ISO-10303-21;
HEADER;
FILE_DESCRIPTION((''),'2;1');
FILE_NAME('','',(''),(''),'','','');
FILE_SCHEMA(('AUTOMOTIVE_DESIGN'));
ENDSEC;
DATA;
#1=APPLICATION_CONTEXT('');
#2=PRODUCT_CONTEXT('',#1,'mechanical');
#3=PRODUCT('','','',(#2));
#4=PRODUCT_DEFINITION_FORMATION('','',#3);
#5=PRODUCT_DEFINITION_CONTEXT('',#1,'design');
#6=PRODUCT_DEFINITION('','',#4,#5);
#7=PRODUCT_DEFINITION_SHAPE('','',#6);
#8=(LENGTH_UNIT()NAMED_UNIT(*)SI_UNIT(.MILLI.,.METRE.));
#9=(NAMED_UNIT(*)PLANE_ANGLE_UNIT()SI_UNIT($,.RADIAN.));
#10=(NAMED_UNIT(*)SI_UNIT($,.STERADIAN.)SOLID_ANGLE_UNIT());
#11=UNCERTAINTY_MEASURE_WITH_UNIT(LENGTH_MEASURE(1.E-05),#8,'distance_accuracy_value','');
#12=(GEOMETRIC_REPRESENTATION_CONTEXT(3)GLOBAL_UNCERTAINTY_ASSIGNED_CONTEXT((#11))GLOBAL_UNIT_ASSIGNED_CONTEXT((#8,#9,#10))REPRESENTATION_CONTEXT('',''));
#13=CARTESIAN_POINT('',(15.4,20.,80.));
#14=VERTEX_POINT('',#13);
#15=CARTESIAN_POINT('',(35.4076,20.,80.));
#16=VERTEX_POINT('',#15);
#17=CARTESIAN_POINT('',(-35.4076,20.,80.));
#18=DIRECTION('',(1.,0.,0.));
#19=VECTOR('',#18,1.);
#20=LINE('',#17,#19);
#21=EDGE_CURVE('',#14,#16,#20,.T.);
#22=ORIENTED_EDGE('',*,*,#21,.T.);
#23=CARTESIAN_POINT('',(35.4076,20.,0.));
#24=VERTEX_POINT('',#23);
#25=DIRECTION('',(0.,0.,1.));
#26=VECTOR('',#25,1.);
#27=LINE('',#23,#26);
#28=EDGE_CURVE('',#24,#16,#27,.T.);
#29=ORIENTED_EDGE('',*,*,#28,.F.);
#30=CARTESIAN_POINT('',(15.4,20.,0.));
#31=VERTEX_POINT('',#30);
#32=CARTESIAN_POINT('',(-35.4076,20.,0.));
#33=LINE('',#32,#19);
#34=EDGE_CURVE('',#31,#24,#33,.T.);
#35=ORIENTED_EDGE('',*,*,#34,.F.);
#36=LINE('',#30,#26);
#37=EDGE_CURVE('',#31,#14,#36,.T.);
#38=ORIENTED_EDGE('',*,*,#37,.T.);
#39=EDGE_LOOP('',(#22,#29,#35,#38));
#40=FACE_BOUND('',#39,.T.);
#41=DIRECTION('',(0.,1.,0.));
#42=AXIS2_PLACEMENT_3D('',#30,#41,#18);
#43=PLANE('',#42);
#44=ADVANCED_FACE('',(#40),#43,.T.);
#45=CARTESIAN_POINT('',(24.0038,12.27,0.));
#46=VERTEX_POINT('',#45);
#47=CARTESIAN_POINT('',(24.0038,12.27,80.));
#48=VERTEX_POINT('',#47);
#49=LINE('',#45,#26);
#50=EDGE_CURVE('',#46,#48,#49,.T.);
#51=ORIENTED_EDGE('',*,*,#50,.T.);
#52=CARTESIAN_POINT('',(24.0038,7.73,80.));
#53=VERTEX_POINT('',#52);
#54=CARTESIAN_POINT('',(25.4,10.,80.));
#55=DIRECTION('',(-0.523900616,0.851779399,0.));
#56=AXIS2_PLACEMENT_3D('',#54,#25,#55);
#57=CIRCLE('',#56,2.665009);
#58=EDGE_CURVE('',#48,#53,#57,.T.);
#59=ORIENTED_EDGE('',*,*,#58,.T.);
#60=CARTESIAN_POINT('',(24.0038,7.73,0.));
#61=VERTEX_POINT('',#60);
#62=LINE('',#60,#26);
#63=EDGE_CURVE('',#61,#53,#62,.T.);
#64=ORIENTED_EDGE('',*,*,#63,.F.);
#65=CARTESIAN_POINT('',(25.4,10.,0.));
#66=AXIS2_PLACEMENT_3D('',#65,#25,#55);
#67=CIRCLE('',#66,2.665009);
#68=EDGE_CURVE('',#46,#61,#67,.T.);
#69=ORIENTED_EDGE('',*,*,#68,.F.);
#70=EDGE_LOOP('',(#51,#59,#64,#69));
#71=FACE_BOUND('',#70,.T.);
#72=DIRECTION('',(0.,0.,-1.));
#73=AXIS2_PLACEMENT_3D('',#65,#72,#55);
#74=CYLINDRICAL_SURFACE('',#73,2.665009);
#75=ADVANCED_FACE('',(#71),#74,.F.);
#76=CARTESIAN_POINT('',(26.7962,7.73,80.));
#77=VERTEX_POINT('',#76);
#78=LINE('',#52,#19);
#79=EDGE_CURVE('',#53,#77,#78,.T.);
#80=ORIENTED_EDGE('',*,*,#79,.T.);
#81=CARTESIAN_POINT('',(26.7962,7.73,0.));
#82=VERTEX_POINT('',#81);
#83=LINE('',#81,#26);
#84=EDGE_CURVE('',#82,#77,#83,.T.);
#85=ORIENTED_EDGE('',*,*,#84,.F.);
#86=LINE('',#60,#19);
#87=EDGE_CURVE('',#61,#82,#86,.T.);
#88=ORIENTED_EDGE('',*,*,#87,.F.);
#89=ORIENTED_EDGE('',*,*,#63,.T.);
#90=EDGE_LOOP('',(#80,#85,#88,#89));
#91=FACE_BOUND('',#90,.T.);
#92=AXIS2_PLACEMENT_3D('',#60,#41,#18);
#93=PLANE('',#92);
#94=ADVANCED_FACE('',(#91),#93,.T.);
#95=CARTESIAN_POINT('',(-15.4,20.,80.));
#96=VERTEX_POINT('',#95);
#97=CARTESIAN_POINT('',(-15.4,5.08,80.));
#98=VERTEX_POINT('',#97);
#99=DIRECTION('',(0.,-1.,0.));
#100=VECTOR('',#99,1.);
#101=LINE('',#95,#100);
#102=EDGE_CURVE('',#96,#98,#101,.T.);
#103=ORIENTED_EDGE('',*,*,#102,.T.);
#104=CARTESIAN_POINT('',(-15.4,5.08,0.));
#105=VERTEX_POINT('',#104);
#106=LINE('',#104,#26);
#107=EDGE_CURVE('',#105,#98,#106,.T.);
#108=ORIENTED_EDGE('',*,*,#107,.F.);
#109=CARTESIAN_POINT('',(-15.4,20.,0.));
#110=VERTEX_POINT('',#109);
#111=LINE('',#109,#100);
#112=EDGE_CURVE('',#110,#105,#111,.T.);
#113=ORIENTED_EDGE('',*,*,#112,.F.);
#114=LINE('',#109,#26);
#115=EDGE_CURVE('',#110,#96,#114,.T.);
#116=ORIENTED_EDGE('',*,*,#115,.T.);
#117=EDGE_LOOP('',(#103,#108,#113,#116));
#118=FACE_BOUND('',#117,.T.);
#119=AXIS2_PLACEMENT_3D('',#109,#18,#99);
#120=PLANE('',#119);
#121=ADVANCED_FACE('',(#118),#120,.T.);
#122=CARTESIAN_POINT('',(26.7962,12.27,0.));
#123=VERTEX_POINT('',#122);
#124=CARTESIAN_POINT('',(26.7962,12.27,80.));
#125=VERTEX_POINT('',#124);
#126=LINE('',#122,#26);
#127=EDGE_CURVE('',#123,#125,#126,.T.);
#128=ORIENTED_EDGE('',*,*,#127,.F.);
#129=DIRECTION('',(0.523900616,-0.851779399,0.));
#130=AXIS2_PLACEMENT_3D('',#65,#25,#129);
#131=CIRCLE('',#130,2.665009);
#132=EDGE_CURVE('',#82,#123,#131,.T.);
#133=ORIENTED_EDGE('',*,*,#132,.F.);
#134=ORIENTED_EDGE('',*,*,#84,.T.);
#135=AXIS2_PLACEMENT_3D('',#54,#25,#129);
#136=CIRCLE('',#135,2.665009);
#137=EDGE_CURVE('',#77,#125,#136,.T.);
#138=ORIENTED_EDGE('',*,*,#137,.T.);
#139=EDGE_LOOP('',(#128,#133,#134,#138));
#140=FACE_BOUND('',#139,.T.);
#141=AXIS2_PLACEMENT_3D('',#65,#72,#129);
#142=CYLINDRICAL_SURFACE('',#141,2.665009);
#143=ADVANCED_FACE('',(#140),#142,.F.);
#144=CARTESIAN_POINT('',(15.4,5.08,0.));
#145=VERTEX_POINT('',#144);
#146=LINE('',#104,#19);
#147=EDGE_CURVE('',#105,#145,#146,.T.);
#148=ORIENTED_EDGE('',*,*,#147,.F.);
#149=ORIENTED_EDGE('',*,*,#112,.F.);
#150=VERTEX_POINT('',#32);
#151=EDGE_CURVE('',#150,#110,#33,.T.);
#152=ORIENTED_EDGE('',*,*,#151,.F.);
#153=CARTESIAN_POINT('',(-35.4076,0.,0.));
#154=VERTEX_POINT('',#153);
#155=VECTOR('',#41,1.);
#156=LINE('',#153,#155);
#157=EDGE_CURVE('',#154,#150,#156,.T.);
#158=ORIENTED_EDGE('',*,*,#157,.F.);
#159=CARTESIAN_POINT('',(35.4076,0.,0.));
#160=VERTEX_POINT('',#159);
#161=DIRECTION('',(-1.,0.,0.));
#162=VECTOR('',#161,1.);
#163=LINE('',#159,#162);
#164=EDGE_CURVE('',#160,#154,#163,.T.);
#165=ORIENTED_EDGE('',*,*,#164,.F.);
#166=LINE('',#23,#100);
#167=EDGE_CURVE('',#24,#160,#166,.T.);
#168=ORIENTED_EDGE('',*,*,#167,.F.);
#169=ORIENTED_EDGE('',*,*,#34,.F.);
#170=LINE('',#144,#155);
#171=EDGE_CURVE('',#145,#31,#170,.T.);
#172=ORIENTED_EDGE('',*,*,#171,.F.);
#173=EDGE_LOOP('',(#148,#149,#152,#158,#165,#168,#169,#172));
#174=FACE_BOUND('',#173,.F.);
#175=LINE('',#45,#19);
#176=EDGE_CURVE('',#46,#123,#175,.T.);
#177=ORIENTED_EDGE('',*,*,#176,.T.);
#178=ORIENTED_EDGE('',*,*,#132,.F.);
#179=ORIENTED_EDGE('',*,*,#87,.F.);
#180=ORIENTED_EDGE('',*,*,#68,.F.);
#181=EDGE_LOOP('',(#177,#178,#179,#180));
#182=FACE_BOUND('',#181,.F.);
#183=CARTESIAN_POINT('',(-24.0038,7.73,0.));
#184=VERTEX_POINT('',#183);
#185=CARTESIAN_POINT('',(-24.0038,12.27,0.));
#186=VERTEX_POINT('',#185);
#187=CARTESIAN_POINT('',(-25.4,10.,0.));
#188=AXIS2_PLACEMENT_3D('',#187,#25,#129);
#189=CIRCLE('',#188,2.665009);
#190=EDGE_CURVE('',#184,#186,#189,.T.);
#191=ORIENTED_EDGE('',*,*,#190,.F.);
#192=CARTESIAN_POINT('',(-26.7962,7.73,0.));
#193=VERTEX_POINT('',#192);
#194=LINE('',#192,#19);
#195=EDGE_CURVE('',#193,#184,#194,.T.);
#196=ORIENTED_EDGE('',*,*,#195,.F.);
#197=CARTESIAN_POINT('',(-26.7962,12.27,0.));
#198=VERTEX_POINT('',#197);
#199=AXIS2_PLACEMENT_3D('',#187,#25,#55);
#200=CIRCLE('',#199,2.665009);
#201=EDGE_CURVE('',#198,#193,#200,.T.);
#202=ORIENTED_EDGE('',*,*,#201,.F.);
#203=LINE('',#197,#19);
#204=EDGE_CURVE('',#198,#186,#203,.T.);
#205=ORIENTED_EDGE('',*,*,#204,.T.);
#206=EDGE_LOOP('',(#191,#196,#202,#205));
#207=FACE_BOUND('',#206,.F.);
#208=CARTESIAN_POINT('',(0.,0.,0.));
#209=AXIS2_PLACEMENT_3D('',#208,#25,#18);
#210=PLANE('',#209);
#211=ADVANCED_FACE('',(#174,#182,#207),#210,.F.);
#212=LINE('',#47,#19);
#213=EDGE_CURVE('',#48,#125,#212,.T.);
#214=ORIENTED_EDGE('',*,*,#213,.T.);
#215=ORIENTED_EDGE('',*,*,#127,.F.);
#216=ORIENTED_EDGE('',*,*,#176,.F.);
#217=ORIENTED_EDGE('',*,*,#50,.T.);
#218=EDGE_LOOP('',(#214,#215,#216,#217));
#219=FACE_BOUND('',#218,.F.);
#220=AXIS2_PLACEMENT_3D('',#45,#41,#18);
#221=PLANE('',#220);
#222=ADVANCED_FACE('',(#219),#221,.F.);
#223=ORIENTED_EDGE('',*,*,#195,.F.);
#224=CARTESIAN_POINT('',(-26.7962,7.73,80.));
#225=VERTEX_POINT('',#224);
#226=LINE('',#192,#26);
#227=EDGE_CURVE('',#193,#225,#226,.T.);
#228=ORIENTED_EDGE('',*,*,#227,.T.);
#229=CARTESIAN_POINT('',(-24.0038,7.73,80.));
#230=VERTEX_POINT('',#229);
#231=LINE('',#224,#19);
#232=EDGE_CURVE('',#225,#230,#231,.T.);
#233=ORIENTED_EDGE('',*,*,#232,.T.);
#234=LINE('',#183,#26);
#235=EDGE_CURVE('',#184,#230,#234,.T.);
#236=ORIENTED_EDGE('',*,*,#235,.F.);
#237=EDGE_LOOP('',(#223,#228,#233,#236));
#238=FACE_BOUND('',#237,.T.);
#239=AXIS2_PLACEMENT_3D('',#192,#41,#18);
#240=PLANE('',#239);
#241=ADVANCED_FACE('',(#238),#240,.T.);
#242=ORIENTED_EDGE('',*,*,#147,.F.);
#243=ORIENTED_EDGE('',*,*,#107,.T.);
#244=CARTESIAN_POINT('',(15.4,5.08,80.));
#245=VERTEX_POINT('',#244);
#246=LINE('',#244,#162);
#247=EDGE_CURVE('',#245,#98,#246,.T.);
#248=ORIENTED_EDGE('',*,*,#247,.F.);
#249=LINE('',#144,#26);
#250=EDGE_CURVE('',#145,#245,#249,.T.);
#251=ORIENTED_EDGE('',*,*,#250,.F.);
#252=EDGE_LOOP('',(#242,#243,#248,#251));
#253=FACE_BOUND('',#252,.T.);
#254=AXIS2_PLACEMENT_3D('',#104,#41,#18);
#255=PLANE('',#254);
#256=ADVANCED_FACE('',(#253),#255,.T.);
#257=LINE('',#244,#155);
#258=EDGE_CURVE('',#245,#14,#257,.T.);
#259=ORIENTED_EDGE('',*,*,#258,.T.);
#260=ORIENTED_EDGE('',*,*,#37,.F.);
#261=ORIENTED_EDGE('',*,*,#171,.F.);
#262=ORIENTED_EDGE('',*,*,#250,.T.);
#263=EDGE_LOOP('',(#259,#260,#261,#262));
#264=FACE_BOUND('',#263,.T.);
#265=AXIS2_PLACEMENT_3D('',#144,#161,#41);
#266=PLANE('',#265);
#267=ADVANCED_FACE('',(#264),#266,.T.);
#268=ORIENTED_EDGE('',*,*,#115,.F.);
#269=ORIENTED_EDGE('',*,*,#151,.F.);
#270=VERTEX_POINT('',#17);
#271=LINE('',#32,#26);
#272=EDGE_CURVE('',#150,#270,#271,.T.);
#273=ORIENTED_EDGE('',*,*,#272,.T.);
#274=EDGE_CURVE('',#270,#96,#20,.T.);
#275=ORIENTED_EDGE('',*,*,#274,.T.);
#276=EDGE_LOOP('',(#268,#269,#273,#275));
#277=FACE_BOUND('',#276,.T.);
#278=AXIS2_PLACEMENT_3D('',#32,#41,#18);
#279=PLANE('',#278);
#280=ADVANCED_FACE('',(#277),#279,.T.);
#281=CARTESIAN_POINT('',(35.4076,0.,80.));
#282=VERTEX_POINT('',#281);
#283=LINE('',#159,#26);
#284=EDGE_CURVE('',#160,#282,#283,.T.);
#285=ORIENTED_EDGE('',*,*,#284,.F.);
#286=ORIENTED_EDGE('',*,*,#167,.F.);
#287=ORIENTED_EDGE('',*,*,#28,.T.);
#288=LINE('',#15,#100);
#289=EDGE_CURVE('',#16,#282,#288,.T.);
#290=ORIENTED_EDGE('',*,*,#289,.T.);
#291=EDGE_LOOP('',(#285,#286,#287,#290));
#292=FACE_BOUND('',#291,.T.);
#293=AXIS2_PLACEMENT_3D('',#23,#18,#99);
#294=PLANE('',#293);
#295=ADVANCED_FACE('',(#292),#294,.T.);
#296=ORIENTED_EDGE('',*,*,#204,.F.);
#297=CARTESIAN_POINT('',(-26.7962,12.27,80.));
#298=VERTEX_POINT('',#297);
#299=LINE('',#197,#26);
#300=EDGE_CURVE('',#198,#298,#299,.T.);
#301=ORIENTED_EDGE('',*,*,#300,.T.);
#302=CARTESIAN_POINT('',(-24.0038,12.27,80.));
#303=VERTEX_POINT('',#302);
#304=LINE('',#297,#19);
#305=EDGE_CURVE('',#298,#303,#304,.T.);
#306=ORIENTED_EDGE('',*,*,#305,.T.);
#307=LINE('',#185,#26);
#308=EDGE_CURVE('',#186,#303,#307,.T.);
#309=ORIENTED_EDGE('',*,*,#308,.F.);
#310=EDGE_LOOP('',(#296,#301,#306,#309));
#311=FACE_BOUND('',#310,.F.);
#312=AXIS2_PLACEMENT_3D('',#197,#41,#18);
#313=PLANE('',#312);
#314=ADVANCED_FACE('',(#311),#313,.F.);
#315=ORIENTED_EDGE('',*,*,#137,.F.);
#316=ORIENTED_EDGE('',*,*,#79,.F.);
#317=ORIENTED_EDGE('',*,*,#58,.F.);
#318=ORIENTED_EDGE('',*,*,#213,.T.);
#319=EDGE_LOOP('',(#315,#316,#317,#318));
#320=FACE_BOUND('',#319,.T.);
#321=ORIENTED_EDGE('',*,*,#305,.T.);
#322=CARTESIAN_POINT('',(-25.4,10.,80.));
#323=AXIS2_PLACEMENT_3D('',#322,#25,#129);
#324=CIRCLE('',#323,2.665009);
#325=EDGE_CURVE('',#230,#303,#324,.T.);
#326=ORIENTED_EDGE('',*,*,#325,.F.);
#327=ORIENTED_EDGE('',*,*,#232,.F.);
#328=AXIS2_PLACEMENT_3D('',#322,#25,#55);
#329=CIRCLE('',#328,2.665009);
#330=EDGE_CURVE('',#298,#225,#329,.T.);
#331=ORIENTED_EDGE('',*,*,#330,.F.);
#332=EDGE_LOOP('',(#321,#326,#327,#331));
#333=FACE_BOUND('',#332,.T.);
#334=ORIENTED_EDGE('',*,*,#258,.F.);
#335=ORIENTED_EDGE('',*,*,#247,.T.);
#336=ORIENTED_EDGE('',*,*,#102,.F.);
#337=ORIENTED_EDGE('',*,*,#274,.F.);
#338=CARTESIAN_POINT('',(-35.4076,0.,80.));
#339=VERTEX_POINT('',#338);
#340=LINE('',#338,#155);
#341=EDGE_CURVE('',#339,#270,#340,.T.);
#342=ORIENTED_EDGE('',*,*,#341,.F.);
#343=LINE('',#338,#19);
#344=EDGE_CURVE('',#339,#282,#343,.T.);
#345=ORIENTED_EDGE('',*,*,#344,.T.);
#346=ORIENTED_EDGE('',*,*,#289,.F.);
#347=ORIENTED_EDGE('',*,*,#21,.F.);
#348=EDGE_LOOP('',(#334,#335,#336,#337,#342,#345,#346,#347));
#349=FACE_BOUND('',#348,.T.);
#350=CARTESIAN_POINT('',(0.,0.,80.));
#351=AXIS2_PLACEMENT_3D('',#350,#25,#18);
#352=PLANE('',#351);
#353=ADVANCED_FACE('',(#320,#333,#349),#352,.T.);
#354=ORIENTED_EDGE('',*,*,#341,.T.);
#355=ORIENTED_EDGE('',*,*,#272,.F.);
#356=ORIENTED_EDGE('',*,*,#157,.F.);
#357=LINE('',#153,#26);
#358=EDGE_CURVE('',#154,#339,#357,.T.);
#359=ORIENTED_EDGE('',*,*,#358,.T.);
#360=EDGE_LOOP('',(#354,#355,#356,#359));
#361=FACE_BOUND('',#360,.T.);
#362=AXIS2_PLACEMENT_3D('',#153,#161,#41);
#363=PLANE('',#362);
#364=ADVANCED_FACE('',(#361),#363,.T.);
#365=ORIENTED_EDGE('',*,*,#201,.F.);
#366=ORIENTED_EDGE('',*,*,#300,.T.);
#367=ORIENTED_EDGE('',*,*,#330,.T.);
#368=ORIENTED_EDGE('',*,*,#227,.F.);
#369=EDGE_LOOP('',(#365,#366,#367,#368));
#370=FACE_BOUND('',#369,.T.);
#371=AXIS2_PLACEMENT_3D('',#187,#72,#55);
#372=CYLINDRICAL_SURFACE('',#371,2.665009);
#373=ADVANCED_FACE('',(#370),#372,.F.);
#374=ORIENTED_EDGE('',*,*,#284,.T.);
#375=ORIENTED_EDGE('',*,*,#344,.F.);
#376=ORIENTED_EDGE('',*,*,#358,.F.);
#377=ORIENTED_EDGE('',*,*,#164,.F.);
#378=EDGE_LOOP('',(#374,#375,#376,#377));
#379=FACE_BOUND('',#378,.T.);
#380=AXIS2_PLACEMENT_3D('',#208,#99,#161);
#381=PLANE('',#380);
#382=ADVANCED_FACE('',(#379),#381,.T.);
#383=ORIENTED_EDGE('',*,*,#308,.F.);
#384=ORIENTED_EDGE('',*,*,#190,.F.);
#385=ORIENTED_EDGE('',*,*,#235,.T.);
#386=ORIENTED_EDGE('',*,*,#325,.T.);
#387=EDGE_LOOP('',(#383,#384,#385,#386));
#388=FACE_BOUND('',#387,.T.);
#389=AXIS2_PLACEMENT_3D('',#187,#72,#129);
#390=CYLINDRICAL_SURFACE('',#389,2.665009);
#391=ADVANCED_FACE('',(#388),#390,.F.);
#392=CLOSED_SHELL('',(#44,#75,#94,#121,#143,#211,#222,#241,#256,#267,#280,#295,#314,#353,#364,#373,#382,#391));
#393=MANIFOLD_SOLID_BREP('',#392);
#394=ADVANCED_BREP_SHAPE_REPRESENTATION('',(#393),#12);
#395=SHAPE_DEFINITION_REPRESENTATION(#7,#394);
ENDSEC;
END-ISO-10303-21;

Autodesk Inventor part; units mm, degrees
ref_plane "YZ Plane" through (0, 0, 0) normal (1, 0, 0) x (0, 1, 0)
ref_plane "XZ Plane" through (0, 0, 0) normal (0, 1, 0) x (-1, 0, 0)
ref_plane "XY Plane" through (0, 0, 0) normal (0, 0, 1) x (1, 0, 0)
sketch "Sketch1" plane through (0, 0, 0) normal (0, 0, 1) x (1, 0, 0)
  point P0 (0, 0)
sketch "Sketch2" plane through (0, 0, 0) normal (0, 0, 1) x (1, 0, 0)
  line L0 (-35.4076, 20) -> (35.4076, 20)
  line L1 (35.4076, 20) -> (35.4076, 0)
  line L2 (35.4076, 0) -> (-35.4076, 0)
  line L3 (-35.4076, 0) -> (-35.4076, 20)
  line L4 (0, 0) -> (0, 20)
  line L5 (24.0038, 12.27) -> (26.7962, 12.27)
  line L6 (24.0038, 7.73) -> (26.7962, 7.73)
  arc A0 (26.7962, 7.73) -> (26.7962, 12.27) centre (25.4, 10) ccw
  arc A1 (24.0038, 12.27) -> (24.0038, 7.73) centre (25.4, 10) ccw
  line L7 (-26.7962, 12.27) -> (-24.0038, 12.27)
  line L8 (-26.7962, 7.73) -> (-24.0038, 7.73)
  arc A2 (-24.0038, 7.73) -> (-24.0038, 12.27) centre (-25.4, 10) ccw
  arc A3 (-26.7962, 12.27) -> (-26.7962, 7.73) centre (-25.4, 10) ccw
  line L9 (-15.4, 20) -> (-15.4, 5.08)
  line L10 (-15.4, 5.08) -> (15.4, 5.08)
  line L11 (15.4, 5.08) -> (15.4, 20)
  dimension "d0" = 20
  dimension "d5" = 10.0076
  dimension "d9" = 4.54
  dimension "d10" = 116.812
  dimension "d11" = 116.812
  dimension "d12" = 4.54
  dimension "d13" = 116.812
  dimension "d14" = 116.812
  dimension "d15" = 10
  dimension "d16" = 50.8
  dimension "d17" = 5.08
  dimension "d18" = 10
extrude "Extrusion1" add sketch "Sketch2" along normal blind 80 contours L0 L9 L10 L4 L2 L3 | L4 L10 L11 L0 L1 L2
properties part number "3710-photoresistors"
